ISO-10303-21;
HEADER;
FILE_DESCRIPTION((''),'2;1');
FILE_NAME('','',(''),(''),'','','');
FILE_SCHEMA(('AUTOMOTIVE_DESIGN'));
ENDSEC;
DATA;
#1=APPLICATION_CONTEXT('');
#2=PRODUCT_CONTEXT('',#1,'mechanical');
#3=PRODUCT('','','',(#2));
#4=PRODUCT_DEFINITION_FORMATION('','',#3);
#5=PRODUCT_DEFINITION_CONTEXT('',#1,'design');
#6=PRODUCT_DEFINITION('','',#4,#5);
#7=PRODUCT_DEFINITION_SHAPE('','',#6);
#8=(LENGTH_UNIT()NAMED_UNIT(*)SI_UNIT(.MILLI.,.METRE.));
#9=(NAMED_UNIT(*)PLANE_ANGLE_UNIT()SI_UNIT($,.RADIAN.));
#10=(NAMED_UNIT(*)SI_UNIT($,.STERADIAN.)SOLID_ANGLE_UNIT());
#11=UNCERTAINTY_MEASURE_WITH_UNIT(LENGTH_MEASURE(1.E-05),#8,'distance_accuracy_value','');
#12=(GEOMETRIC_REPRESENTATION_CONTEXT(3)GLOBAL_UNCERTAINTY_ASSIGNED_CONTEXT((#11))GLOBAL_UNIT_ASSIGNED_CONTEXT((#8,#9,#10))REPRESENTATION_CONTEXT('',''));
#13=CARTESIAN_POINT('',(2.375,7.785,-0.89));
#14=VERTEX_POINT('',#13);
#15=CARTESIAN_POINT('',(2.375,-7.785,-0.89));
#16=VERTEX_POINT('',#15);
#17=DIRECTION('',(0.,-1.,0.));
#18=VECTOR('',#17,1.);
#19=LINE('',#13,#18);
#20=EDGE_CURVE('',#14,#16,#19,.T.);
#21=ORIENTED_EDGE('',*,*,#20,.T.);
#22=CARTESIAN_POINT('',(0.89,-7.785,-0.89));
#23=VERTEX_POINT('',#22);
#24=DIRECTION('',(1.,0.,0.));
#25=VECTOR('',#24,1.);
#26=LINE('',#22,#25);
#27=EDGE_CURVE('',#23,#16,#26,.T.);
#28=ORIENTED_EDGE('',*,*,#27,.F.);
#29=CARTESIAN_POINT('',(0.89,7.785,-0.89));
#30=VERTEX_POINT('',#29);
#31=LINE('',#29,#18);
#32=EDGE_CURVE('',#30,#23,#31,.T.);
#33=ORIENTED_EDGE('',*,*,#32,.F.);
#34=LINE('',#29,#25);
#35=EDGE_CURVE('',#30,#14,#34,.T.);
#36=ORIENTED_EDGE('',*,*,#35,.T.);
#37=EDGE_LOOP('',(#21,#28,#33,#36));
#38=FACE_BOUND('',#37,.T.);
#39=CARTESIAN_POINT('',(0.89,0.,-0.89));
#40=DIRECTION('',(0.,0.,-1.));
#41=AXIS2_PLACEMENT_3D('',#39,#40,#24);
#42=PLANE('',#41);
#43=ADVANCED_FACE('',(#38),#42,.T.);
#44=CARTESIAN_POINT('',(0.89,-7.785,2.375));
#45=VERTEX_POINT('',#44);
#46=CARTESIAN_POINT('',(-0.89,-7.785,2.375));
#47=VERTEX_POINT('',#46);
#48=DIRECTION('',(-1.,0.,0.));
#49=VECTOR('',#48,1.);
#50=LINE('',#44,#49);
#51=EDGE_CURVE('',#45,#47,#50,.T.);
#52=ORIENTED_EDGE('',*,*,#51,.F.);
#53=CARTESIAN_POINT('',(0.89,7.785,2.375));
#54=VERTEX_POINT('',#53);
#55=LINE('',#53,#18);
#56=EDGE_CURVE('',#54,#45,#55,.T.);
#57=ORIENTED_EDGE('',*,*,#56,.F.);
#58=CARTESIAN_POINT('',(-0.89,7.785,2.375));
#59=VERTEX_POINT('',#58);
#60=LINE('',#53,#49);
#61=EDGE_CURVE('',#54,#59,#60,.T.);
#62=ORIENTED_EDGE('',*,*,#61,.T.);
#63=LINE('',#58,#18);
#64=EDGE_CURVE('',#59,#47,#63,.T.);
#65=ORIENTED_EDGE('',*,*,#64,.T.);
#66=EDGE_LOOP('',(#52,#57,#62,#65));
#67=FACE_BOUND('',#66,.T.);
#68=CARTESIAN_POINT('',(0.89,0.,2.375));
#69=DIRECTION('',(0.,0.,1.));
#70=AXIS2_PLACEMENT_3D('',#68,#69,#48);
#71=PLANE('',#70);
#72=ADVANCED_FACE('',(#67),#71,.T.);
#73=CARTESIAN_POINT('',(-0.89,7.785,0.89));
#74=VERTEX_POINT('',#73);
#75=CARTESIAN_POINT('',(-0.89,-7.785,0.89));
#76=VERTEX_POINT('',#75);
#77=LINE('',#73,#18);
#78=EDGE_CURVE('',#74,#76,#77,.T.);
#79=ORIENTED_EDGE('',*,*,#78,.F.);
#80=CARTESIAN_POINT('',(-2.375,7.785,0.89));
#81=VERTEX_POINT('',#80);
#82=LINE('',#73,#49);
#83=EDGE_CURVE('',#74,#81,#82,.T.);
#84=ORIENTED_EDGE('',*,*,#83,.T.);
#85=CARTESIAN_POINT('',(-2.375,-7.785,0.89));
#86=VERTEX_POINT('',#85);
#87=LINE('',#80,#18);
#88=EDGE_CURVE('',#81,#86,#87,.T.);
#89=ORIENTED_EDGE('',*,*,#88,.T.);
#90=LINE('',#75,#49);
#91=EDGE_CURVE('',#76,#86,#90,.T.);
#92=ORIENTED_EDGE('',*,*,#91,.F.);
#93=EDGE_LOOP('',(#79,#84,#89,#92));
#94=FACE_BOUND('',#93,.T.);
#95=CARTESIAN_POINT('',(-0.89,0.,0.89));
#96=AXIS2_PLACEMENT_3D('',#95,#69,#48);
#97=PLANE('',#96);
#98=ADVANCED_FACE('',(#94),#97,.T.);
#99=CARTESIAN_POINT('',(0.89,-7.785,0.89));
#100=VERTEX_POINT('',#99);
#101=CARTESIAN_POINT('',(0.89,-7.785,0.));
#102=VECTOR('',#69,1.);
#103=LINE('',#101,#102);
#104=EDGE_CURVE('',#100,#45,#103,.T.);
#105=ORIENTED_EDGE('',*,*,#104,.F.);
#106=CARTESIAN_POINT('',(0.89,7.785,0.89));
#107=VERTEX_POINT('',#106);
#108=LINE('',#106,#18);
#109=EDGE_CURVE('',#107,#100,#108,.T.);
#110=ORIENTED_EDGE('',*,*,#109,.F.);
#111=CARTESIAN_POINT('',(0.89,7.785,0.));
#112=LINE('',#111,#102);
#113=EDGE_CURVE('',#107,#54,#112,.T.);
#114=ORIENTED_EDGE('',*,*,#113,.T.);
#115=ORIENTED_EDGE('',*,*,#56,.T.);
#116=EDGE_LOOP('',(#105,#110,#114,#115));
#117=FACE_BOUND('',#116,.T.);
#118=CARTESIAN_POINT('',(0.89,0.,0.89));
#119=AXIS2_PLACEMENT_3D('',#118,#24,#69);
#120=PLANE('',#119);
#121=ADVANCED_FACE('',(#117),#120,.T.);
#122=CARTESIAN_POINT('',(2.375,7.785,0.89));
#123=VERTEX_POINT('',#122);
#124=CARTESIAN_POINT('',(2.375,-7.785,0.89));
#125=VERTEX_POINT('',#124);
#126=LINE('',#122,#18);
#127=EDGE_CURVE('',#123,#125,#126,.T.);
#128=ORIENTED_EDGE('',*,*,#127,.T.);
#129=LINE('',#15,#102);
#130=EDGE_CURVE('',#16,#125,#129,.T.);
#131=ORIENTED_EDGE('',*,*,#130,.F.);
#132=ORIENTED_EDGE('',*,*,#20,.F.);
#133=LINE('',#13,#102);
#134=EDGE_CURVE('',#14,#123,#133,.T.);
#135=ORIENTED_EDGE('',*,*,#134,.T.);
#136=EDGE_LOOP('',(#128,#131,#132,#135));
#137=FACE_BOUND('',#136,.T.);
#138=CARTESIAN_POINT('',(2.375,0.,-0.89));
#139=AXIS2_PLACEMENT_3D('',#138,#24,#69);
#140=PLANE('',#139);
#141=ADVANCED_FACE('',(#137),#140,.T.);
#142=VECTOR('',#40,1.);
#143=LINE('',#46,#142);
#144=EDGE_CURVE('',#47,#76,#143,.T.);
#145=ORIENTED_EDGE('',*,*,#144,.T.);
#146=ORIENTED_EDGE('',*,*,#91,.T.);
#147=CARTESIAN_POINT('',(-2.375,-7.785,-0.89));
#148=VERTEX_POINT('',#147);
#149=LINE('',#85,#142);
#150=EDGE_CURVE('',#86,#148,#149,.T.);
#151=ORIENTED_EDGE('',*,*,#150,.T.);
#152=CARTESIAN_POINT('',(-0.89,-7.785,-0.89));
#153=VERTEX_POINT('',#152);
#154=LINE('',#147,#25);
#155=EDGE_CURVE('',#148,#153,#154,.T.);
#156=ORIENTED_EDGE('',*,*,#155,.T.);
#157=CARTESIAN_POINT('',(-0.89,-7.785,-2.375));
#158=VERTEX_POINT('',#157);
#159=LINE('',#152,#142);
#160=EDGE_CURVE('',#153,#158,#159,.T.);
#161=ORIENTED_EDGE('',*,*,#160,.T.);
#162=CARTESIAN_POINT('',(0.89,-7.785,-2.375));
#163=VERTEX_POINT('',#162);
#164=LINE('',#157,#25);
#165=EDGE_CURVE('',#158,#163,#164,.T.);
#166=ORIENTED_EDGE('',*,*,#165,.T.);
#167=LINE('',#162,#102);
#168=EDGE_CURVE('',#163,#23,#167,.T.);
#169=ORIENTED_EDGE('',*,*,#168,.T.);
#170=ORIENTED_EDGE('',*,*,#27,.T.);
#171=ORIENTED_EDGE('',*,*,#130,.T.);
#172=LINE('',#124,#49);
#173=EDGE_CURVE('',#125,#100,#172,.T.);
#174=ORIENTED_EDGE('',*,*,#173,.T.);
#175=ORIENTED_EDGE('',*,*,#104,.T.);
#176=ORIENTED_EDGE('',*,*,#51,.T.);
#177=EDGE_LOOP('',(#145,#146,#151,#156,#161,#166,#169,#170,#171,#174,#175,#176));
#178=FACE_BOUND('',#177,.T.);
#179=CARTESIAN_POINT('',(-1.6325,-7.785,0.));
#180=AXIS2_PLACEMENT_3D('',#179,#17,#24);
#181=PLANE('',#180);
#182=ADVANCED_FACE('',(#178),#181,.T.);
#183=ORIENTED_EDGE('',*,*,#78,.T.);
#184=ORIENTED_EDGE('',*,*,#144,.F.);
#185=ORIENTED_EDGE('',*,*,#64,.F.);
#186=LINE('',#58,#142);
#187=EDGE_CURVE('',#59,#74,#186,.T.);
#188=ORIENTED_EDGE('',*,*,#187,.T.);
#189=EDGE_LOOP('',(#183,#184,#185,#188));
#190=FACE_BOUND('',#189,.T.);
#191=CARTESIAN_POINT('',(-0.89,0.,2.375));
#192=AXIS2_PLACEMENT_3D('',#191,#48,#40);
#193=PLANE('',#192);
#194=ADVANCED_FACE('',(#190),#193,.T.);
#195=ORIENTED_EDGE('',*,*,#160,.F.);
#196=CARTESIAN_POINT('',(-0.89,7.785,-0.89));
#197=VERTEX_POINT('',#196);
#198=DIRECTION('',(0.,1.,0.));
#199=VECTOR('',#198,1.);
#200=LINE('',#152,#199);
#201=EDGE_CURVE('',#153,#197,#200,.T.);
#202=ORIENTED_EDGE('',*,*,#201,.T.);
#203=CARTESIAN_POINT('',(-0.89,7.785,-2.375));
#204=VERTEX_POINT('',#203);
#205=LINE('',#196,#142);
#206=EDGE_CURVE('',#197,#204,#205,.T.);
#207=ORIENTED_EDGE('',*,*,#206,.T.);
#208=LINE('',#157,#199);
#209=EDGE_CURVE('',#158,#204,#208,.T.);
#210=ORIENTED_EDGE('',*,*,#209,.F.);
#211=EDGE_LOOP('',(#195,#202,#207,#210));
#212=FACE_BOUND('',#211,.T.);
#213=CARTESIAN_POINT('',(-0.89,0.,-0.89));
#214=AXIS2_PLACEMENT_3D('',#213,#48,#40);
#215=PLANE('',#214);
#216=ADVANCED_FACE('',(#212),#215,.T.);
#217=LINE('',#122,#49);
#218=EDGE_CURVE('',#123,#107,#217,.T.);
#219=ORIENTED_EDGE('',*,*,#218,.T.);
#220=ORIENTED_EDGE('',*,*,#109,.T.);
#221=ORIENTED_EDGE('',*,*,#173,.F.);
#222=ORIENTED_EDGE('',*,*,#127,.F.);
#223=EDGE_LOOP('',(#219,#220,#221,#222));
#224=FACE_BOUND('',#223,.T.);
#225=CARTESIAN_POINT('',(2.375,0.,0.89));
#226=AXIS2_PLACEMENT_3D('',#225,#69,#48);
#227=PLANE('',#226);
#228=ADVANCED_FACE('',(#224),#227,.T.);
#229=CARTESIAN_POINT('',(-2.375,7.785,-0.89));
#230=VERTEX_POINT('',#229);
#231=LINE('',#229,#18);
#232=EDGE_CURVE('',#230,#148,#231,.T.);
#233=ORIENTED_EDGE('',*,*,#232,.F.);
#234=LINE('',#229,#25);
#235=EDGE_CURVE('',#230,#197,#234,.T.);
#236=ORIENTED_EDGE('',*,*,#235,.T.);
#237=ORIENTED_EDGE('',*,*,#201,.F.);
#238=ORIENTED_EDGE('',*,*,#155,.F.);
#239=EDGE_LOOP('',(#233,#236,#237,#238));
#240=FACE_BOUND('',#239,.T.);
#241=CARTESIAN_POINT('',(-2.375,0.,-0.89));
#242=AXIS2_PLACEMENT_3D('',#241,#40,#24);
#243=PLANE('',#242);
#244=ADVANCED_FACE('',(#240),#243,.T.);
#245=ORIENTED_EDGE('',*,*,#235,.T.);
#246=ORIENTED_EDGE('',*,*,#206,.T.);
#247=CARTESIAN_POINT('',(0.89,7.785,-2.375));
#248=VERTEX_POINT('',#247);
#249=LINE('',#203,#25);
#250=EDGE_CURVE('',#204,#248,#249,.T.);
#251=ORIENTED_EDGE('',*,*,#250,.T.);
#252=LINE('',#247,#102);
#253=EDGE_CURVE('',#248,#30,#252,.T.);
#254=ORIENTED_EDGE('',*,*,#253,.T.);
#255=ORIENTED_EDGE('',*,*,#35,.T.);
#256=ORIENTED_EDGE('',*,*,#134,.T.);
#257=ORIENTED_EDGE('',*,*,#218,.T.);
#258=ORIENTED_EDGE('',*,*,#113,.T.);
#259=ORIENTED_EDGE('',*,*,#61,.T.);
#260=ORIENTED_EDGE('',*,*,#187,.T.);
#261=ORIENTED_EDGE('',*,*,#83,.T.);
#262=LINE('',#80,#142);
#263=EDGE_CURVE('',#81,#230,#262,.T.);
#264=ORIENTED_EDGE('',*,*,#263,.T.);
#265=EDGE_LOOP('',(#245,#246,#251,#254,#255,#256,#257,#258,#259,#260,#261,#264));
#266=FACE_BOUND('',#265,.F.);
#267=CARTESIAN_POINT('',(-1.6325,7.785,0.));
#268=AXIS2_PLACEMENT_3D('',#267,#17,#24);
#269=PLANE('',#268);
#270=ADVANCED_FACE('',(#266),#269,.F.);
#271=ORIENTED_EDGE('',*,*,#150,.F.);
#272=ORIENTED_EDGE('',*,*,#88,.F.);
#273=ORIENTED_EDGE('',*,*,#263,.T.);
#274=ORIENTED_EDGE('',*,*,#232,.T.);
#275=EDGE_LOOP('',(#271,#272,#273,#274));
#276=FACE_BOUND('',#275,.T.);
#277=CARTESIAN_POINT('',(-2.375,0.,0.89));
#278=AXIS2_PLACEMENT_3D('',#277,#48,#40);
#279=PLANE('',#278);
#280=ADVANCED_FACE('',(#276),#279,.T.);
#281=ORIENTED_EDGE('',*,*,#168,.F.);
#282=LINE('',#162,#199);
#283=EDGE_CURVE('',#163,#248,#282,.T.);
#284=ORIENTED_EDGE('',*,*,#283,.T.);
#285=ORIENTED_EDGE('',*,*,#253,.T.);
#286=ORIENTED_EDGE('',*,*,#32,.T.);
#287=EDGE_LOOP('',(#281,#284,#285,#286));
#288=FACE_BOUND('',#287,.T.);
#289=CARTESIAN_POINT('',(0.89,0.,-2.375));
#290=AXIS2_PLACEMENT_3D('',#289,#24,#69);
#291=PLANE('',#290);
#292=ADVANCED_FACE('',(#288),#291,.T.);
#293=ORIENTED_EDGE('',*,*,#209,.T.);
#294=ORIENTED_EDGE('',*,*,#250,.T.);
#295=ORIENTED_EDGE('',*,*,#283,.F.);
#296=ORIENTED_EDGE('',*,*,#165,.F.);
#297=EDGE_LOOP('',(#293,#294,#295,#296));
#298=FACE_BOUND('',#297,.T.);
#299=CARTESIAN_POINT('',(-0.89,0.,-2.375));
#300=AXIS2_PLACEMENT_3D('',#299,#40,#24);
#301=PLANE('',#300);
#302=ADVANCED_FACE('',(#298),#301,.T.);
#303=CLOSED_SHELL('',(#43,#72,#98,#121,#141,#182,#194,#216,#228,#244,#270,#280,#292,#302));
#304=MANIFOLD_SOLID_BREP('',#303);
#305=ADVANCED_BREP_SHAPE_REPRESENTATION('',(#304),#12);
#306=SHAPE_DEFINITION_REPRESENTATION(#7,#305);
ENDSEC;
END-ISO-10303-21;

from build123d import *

# Parameters (mm, degrees)
F0_W     = 0.89
F0_H     = 0.89
F1_DEPTH = 7.785


with BuildPart() as f1:
    # F0 (on Front) → F1 (new body, symmetric)
    with BuildSketch(Plane.XZ):
        Polygon((-0.89, 0.89), (-2.375, 0.89), (-2.375, -0.89), (-0.89, -0.89), (-0.89, 0), align=None)
        Polygon((-0.89, 2.375), (-0.89, 0.89), (0, 0.89), (0.89, 0.89), (0.89, 2.375), align=None)
        with Locations((-0.445, 0.445)):
            Rectangle(F0_W, F0_H)
        with Locations((0.445, 0.445)):
            Rectangle(F0_W, F0_H)
        with Locations((-0.445, -0.445)):
            Rectangle(F0_W, F0_H)
        Polygon((0, -0.89), (-0.89, -0.89), (-0.89, -2.375), (0.89, -2.375), (0.89, -0.89), align=None)
        Polygon((2.375, 0.89), (0.89, 0.89), (0.89, 0), (0.89, -0.89), (2.375, -0.89), align=None)
        with Locations((0.445, -0.445)):
            Rectangle(F0_W, F0_H)
    extrude(amount=F1_DEPTH, both=True)


solid = f1.part
